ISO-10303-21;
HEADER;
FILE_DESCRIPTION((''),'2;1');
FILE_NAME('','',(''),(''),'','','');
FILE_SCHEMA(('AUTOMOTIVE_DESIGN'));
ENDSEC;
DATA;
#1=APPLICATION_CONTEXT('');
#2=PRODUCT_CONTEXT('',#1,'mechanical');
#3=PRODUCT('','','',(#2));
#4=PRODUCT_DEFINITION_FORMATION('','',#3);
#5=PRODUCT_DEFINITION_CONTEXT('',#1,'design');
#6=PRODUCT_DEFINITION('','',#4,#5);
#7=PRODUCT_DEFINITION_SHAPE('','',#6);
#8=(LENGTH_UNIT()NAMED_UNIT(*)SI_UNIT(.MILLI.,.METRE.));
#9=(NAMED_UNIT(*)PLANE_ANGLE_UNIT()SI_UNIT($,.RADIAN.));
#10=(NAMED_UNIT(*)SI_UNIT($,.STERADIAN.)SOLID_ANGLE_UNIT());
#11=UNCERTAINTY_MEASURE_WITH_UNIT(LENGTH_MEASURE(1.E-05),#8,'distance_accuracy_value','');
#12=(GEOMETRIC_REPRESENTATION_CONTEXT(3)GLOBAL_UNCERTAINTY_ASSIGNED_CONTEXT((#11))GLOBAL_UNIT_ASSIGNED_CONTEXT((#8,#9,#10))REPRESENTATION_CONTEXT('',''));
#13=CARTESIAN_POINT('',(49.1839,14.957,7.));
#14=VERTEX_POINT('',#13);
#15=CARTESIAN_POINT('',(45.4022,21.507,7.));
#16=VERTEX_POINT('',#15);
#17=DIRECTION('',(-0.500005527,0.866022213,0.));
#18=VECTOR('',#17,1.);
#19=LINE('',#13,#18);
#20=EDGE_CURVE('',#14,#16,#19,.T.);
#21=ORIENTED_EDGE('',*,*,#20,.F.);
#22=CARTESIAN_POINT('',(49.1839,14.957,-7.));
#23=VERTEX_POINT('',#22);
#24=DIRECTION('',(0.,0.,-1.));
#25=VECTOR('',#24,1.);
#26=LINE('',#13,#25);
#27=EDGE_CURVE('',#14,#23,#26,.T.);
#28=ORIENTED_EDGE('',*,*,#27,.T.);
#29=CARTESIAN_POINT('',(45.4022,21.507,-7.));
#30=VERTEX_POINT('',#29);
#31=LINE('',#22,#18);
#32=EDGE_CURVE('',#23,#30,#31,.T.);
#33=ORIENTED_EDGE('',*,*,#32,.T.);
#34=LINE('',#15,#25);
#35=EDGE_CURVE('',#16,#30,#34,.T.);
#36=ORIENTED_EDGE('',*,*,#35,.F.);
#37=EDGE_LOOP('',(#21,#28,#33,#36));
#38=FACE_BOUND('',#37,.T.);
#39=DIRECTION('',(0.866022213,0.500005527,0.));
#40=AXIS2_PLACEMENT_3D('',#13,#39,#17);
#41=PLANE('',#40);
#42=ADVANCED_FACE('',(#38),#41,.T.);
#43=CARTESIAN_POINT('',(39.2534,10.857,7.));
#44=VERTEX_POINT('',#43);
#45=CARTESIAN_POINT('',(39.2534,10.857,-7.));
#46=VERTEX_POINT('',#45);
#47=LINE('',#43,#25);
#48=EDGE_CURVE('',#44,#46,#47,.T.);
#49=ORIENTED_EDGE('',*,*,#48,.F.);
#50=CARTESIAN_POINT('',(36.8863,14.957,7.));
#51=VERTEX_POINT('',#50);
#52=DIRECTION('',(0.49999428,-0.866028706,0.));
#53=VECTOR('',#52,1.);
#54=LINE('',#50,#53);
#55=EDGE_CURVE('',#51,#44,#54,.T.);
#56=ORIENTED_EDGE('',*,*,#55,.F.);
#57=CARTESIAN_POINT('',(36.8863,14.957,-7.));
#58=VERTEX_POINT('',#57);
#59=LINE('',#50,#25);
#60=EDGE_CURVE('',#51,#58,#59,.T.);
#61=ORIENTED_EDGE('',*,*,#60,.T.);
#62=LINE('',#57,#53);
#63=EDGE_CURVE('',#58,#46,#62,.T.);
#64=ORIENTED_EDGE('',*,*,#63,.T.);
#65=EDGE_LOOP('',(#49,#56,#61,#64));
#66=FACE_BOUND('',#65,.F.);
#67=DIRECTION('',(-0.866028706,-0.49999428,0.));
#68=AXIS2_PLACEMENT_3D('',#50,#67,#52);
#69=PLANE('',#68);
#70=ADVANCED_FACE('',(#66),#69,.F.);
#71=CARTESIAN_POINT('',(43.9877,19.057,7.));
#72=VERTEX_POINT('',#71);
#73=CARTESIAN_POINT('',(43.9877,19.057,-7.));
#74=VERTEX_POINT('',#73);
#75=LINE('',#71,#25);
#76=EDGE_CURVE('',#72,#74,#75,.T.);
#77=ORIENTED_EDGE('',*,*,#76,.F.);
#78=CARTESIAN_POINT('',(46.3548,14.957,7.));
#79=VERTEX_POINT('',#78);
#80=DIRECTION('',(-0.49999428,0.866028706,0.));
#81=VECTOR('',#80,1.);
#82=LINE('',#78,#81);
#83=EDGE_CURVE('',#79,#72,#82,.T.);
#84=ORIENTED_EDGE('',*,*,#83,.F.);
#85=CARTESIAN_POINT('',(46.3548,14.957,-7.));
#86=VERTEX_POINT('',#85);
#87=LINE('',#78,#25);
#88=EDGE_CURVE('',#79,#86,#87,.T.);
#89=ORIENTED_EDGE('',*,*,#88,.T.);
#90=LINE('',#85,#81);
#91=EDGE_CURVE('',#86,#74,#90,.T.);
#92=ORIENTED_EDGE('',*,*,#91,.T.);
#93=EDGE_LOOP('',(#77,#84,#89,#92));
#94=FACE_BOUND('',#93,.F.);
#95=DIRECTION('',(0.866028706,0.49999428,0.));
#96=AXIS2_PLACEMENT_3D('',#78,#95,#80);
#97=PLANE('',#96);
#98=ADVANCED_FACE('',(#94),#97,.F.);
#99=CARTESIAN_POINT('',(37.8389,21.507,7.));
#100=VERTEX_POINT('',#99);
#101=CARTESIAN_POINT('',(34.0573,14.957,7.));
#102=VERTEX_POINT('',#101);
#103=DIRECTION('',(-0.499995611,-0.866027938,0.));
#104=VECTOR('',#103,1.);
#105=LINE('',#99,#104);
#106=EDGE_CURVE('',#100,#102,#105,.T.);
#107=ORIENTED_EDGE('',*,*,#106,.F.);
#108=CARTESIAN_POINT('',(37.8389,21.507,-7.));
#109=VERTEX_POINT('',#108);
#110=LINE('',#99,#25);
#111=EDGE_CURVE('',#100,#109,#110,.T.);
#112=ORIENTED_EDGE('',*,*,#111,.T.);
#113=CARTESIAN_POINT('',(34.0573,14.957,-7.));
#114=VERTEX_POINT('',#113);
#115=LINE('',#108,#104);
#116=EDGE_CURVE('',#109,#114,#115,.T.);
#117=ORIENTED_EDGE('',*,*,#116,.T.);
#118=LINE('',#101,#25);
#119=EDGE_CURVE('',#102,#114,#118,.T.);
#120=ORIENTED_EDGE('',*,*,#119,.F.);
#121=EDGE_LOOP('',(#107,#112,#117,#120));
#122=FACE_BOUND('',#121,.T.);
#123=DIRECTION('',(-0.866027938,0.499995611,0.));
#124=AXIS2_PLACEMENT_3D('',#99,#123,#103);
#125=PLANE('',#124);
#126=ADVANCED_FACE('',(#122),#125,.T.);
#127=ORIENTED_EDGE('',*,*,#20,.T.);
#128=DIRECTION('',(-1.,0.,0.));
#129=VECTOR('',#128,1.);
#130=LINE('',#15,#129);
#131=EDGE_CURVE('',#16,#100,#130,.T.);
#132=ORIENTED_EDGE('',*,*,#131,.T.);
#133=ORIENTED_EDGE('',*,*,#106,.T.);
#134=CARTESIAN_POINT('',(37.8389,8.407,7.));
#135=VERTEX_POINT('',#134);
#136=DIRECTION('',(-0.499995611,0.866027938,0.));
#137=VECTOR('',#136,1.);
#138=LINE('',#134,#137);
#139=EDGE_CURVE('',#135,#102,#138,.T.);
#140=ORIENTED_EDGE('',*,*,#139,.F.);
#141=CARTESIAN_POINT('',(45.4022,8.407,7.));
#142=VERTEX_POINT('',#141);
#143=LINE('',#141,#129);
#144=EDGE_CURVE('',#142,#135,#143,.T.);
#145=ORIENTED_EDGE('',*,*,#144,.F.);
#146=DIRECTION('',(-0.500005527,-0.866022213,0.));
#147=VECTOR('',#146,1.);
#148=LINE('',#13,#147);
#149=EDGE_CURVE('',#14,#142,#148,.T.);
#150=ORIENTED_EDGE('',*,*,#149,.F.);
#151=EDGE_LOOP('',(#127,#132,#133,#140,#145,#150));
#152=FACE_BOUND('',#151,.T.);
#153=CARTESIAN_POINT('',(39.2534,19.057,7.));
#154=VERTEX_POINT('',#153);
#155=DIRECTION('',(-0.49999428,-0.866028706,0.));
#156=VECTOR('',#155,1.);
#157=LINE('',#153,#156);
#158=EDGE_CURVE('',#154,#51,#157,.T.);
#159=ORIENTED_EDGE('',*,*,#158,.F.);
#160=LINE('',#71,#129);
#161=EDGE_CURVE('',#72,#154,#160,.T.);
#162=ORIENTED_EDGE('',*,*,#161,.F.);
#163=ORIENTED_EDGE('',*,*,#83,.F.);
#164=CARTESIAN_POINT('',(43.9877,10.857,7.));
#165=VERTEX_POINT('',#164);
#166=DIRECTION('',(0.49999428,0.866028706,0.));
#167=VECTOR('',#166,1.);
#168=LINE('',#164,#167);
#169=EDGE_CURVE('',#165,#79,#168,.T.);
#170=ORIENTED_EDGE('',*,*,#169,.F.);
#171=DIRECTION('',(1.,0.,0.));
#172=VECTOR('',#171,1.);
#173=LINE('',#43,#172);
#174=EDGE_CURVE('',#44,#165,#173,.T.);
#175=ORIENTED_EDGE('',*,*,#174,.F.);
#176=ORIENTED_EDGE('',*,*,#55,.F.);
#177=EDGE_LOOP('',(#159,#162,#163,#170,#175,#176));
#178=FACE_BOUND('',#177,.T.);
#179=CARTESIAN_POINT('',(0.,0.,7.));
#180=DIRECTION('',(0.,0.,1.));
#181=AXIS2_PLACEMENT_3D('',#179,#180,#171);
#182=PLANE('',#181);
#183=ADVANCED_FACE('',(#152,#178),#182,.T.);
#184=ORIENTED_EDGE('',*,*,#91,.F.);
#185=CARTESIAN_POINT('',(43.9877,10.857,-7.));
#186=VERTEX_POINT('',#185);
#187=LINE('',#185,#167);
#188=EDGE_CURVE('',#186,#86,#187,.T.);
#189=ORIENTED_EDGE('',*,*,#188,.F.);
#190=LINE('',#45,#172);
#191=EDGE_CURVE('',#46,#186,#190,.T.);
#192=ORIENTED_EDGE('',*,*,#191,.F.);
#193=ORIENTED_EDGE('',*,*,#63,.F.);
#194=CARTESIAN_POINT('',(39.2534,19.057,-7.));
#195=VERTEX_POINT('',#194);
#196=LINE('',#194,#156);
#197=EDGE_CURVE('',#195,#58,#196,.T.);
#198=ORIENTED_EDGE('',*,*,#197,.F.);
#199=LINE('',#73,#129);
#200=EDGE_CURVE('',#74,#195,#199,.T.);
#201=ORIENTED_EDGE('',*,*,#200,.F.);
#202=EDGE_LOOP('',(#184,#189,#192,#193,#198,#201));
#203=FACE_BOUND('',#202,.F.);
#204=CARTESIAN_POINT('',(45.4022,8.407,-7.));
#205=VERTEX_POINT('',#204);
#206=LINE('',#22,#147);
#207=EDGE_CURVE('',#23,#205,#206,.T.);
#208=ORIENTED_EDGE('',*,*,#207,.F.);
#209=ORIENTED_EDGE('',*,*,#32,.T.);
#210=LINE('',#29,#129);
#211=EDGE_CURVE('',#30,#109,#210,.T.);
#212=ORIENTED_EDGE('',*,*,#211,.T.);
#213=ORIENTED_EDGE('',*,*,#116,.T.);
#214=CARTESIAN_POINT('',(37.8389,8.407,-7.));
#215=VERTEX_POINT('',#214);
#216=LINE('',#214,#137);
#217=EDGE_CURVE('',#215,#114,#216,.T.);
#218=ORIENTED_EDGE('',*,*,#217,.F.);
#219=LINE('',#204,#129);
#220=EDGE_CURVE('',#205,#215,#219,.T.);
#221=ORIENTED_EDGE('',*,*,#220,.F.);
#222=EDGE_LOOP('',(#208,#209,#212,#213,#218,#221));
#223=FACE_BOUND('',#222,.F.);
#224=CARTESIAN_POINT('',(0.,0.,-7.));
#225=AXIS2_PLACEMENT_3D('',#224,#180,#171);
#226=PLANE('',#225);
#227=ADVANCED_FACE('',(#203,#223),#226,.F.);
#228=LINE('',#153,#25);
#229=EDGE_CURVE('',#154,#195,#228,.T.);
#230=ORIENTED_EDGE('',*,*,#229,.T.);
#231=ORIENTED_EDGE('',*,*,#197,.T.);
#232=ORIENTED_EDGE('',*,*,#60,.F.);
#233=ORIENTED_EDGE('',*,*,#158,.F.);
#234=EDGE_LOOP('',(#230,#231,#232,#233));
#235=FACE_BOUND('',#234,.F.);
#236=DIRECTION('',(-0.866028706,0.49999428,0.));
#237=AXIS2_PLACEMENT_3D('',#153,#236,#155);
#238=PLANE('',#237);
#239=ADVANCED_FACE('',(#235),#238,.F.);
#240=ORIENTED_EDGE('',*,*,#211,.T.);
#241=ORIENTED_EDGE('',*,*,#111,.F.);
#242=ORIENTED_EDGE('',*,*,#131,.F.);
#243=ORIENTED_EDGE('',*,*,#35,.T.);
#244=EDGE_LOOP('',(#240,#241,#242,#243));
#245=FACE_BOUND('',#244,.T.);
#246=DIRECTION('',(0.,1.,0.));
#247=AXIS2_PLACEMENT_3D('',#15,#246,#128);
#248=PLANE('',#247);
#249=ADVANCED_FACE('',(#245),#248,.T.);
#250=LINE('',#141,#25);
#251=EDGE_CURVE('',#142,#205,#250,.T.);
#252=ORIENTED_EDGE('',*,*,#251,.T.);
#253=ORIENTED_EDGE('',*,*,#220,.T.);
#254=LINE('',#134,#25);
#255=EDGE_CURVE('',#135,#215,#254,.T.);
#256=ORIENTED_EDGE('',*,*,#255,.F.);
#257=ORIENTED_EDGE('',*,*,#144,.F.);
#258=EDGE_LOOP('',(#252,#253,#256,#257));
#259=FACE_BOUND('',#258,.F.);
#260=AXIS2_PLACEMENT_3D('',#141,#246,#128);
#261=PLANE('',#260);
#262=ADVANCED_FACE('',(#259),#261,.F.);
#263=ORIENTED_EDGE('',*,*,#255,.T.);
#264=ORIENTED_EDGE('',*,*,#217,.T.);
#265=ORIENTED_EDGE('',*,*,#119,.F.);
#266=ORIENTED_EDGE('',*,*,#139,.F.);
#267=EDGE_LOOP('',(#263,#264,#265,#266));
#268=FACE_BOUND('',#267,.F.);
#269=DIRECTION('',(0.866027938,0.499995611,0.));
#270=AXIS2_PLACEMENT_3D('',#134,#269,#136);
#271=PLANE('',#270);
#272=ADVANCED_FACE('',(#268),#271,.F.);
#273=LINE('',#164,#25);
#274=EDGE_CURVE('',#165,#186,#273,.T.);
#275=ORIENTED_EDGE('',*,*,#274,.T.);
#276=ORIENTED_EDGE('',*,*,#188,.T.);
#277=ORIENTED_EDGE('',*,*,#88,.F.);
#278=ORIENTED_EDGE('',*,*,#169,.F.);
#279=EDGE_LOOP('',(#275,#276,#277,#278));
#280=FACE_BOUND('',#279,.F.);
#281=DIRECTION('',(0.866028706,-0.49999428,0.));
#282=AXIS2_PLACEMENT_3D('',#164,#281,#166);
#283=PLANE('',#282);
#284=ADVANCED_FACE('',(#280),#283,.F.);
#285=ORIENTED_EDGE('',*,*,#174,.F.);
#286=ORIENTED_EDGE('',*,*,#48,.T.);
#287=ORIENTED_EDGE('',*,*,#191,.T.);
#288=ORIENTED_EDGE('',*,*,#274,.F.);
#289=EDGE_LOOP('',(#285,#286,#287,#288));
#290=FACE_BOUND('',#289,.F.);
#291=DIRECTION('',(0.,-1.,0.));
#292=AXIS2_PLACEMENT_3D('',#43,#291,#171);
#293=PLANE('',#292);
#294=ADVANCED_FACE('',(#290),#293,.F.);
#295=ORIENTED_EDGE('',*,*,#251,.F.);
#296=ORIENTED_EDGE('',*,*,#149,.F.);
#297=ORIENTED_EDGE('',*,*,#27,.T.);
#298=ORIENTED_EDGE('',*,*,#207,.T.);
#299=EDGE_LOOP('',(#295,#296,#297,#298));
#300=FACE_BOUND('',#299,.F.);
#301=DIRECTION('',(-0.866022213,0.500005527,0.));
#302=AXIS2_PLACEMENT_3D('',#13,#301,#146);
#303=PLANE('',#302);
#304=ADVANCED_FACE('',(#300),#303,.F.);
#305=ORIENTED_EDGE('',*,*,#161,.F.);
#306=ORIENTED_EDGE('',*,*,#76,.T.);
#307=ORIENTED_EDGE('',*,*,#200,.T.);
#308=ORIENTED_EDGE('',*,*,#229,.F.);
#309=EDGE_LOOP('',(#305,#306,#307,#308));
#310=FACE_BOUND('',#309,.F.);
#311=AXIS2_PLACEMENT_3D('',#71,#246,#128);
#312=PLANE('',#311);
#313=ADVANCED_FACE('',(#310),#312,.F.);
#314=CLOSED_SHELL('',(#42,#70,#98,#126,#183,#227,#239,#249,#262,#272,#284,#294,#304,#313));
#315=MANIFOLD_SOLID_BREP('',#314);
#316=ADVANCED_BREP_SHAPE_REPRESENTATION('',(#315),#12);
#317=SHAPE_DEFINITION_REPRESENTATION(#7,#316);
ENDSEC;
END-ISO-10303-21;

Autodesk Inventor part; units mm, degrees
ref_plane "YZ Plane" through (0, 0, 0) normal (1, 0, 0) x (0, 1, 0)
sketch "Skizze1" plane through (0, 0, 0) normal (0, 0, 1) x (1, 0, 0)
  circle A0 centre (13.3363, -13.3273) radius 2.25 projected
  circle A1 centre (69.9048, -13.3273) radius 2.25 projected
  line L0 (49.1839, 14.957) -> (45.4022, 8.407) projected
  line L1 (45.4022, 8.407) -> (37.8389, 8.407) projected
  line L2 (37.8389, 8.407) -> (34.0573, 14.957) projected
  circle A2 centre (-86.3794, -2.543) radius 2.1 projected
  line L3 (-65.3794, -2.3212) -> (-80.3794, -2.3212) projected
  line L4 (-80.3794, -2.3212) -> (-80.3794, 8.457) projected
  line L5 (-80.3794, 8.457) -> (-86.3794, 8.457) projected
  line L6 (-86.3794, 8.457) -> (-86.3794, 3.857) projected
  line L7 (-86.3794, 3.857) -> (-93.3794, 3.857) projected
  line L8 (-93.3794, 3.857) -> (-93.3794, 8.457) projected
  line L9 (-93.3794, 8.457) -> (-98.3794, 8.457) projected
  line L10 (-98.3794, 8.457) -> (-98.3794, -15.043) projected
  line L11 (-38.3794, -15.043) -> (-98.3794, -15.043) projected
  spline S0 degree 3 poles (16.2456, -28.9938) (-0.41, -19.3777) (-19.1473, -15.043) (-38.3794, -15.043) knots 1 1 1 1 2 2 2 2 projected
  arc A3 (16.2456, -28.9938) -> (92.3706, 14.957) centre (41.6206, 14.957) ccw projected
  line L12 (-93.3794, 21.457) -> (-98.3794, 21.457) projected
  line L13 (-93.3794, 21.457) -> (-93.3794, 26.057) projected
  line L14 (-93.3794, 26.057) -> (-86.3794, 26.057) projected
  line L15 (-86.3794, 26.057) -> (-86.3794, 21.457) projected
  line L16 (-86.3794, 21.457) -> (-80.3794, 21.457) projected
  line L17 (-80.3794, 32.2352) -> (-80.3794, 21.457) projected
  line L18 (-65.3794, -4.043) -> (-65.3794, -2.3212) projected
  line L19 (26.6206, 28.1857) -> (26.6206, 1.7282) projected
  line L20 (26.6206, 1.7282) -> (16.7234, -4.043) projected
  line L21 (16.7234, -4.043) -> (-65.3794, -4.043) projected
  circle A4 centre (41.6206, 14.957) radius 4.1 construction
  line L22 (46.3548, 14.957) -> (43.9877, 19.057)
  line L23 (43.9877, 19.057) -> (39.2534, 19.057)
  line L24 (39.2534, 19.057) -> (36.8863, 14.957)
  line L25 (36.8863, 14.957) -> (39.2534, 10.857)
  line L26 (39.2534, 10.857) -> (43.9877, 10.857)
  line L27 (43.9877, 10.857) -> (46.3548, 14.957)
  arc A5 (92.3706, 14.957) -> (16.2456, 58.9078) centre (41.6206, 14.957) ccw projected
  spline S1 degree 3 poles (16.2456, 58.9078) (-0.41, 49.2917) (-19.1473, 44.957) (-38.3794, 44.957) knots 1 1 1 1 2 2 2 2 projected
  line L28 (-38.3794, 44.957) -> (-98.3794, 44.957) projected
  line L29 (-98.3794, 21.457) -> (-98.3794, 44.957) projected
  line L30 (-65.3794, 32.2352) -> (-80.3794, 32.2352) projected
  line L31 (-65.3794, 33.957) -> (-65.3794, 32.2352) projected
  line L32 (16.7234, 33.957) -> (-65.3794, 33.957) projected
  line L33 (26.6206, 28.1857) -> (16.7234, 33.957) projected
  circle A6 centre (13.3363, 43.2412) radius 2.25 projected
  circle A7 centre (69.9048, 43.2412) radius 2.25 projected
  circle A8 centre (-86.3794, 32.457) radius 2.1 projected
  line L34 (37.8389, 21.507) -> (34.0573, 14.957) projected
  line L35 (45.4022, 21.507) -> (37.8389, 21.507) projected
  line L36 (49.1839, 14.957) -> (45.4022, 21.507) projected
  point P0 (0, 0)
  dimension "d0" = 8.2
ref_plane "Arbeitsebene1" through (35.8206, 9.157, 7) normal (0, 0, -1) x (0, 1, 0)
ref_plane "Arbeitsebene2" through (35.8206, 9.157, -7) normal (0, 0, 1) x (1, 0, 0)
extrude "Extrusion1" add sketch "Skizze1" against normal up to surface (14 mm away) from surface at 7 contours L0 L1 L2 L34 L35 L36
properties part number "Nutspacker" material "ABS-Kunststoff - Schwarz"
